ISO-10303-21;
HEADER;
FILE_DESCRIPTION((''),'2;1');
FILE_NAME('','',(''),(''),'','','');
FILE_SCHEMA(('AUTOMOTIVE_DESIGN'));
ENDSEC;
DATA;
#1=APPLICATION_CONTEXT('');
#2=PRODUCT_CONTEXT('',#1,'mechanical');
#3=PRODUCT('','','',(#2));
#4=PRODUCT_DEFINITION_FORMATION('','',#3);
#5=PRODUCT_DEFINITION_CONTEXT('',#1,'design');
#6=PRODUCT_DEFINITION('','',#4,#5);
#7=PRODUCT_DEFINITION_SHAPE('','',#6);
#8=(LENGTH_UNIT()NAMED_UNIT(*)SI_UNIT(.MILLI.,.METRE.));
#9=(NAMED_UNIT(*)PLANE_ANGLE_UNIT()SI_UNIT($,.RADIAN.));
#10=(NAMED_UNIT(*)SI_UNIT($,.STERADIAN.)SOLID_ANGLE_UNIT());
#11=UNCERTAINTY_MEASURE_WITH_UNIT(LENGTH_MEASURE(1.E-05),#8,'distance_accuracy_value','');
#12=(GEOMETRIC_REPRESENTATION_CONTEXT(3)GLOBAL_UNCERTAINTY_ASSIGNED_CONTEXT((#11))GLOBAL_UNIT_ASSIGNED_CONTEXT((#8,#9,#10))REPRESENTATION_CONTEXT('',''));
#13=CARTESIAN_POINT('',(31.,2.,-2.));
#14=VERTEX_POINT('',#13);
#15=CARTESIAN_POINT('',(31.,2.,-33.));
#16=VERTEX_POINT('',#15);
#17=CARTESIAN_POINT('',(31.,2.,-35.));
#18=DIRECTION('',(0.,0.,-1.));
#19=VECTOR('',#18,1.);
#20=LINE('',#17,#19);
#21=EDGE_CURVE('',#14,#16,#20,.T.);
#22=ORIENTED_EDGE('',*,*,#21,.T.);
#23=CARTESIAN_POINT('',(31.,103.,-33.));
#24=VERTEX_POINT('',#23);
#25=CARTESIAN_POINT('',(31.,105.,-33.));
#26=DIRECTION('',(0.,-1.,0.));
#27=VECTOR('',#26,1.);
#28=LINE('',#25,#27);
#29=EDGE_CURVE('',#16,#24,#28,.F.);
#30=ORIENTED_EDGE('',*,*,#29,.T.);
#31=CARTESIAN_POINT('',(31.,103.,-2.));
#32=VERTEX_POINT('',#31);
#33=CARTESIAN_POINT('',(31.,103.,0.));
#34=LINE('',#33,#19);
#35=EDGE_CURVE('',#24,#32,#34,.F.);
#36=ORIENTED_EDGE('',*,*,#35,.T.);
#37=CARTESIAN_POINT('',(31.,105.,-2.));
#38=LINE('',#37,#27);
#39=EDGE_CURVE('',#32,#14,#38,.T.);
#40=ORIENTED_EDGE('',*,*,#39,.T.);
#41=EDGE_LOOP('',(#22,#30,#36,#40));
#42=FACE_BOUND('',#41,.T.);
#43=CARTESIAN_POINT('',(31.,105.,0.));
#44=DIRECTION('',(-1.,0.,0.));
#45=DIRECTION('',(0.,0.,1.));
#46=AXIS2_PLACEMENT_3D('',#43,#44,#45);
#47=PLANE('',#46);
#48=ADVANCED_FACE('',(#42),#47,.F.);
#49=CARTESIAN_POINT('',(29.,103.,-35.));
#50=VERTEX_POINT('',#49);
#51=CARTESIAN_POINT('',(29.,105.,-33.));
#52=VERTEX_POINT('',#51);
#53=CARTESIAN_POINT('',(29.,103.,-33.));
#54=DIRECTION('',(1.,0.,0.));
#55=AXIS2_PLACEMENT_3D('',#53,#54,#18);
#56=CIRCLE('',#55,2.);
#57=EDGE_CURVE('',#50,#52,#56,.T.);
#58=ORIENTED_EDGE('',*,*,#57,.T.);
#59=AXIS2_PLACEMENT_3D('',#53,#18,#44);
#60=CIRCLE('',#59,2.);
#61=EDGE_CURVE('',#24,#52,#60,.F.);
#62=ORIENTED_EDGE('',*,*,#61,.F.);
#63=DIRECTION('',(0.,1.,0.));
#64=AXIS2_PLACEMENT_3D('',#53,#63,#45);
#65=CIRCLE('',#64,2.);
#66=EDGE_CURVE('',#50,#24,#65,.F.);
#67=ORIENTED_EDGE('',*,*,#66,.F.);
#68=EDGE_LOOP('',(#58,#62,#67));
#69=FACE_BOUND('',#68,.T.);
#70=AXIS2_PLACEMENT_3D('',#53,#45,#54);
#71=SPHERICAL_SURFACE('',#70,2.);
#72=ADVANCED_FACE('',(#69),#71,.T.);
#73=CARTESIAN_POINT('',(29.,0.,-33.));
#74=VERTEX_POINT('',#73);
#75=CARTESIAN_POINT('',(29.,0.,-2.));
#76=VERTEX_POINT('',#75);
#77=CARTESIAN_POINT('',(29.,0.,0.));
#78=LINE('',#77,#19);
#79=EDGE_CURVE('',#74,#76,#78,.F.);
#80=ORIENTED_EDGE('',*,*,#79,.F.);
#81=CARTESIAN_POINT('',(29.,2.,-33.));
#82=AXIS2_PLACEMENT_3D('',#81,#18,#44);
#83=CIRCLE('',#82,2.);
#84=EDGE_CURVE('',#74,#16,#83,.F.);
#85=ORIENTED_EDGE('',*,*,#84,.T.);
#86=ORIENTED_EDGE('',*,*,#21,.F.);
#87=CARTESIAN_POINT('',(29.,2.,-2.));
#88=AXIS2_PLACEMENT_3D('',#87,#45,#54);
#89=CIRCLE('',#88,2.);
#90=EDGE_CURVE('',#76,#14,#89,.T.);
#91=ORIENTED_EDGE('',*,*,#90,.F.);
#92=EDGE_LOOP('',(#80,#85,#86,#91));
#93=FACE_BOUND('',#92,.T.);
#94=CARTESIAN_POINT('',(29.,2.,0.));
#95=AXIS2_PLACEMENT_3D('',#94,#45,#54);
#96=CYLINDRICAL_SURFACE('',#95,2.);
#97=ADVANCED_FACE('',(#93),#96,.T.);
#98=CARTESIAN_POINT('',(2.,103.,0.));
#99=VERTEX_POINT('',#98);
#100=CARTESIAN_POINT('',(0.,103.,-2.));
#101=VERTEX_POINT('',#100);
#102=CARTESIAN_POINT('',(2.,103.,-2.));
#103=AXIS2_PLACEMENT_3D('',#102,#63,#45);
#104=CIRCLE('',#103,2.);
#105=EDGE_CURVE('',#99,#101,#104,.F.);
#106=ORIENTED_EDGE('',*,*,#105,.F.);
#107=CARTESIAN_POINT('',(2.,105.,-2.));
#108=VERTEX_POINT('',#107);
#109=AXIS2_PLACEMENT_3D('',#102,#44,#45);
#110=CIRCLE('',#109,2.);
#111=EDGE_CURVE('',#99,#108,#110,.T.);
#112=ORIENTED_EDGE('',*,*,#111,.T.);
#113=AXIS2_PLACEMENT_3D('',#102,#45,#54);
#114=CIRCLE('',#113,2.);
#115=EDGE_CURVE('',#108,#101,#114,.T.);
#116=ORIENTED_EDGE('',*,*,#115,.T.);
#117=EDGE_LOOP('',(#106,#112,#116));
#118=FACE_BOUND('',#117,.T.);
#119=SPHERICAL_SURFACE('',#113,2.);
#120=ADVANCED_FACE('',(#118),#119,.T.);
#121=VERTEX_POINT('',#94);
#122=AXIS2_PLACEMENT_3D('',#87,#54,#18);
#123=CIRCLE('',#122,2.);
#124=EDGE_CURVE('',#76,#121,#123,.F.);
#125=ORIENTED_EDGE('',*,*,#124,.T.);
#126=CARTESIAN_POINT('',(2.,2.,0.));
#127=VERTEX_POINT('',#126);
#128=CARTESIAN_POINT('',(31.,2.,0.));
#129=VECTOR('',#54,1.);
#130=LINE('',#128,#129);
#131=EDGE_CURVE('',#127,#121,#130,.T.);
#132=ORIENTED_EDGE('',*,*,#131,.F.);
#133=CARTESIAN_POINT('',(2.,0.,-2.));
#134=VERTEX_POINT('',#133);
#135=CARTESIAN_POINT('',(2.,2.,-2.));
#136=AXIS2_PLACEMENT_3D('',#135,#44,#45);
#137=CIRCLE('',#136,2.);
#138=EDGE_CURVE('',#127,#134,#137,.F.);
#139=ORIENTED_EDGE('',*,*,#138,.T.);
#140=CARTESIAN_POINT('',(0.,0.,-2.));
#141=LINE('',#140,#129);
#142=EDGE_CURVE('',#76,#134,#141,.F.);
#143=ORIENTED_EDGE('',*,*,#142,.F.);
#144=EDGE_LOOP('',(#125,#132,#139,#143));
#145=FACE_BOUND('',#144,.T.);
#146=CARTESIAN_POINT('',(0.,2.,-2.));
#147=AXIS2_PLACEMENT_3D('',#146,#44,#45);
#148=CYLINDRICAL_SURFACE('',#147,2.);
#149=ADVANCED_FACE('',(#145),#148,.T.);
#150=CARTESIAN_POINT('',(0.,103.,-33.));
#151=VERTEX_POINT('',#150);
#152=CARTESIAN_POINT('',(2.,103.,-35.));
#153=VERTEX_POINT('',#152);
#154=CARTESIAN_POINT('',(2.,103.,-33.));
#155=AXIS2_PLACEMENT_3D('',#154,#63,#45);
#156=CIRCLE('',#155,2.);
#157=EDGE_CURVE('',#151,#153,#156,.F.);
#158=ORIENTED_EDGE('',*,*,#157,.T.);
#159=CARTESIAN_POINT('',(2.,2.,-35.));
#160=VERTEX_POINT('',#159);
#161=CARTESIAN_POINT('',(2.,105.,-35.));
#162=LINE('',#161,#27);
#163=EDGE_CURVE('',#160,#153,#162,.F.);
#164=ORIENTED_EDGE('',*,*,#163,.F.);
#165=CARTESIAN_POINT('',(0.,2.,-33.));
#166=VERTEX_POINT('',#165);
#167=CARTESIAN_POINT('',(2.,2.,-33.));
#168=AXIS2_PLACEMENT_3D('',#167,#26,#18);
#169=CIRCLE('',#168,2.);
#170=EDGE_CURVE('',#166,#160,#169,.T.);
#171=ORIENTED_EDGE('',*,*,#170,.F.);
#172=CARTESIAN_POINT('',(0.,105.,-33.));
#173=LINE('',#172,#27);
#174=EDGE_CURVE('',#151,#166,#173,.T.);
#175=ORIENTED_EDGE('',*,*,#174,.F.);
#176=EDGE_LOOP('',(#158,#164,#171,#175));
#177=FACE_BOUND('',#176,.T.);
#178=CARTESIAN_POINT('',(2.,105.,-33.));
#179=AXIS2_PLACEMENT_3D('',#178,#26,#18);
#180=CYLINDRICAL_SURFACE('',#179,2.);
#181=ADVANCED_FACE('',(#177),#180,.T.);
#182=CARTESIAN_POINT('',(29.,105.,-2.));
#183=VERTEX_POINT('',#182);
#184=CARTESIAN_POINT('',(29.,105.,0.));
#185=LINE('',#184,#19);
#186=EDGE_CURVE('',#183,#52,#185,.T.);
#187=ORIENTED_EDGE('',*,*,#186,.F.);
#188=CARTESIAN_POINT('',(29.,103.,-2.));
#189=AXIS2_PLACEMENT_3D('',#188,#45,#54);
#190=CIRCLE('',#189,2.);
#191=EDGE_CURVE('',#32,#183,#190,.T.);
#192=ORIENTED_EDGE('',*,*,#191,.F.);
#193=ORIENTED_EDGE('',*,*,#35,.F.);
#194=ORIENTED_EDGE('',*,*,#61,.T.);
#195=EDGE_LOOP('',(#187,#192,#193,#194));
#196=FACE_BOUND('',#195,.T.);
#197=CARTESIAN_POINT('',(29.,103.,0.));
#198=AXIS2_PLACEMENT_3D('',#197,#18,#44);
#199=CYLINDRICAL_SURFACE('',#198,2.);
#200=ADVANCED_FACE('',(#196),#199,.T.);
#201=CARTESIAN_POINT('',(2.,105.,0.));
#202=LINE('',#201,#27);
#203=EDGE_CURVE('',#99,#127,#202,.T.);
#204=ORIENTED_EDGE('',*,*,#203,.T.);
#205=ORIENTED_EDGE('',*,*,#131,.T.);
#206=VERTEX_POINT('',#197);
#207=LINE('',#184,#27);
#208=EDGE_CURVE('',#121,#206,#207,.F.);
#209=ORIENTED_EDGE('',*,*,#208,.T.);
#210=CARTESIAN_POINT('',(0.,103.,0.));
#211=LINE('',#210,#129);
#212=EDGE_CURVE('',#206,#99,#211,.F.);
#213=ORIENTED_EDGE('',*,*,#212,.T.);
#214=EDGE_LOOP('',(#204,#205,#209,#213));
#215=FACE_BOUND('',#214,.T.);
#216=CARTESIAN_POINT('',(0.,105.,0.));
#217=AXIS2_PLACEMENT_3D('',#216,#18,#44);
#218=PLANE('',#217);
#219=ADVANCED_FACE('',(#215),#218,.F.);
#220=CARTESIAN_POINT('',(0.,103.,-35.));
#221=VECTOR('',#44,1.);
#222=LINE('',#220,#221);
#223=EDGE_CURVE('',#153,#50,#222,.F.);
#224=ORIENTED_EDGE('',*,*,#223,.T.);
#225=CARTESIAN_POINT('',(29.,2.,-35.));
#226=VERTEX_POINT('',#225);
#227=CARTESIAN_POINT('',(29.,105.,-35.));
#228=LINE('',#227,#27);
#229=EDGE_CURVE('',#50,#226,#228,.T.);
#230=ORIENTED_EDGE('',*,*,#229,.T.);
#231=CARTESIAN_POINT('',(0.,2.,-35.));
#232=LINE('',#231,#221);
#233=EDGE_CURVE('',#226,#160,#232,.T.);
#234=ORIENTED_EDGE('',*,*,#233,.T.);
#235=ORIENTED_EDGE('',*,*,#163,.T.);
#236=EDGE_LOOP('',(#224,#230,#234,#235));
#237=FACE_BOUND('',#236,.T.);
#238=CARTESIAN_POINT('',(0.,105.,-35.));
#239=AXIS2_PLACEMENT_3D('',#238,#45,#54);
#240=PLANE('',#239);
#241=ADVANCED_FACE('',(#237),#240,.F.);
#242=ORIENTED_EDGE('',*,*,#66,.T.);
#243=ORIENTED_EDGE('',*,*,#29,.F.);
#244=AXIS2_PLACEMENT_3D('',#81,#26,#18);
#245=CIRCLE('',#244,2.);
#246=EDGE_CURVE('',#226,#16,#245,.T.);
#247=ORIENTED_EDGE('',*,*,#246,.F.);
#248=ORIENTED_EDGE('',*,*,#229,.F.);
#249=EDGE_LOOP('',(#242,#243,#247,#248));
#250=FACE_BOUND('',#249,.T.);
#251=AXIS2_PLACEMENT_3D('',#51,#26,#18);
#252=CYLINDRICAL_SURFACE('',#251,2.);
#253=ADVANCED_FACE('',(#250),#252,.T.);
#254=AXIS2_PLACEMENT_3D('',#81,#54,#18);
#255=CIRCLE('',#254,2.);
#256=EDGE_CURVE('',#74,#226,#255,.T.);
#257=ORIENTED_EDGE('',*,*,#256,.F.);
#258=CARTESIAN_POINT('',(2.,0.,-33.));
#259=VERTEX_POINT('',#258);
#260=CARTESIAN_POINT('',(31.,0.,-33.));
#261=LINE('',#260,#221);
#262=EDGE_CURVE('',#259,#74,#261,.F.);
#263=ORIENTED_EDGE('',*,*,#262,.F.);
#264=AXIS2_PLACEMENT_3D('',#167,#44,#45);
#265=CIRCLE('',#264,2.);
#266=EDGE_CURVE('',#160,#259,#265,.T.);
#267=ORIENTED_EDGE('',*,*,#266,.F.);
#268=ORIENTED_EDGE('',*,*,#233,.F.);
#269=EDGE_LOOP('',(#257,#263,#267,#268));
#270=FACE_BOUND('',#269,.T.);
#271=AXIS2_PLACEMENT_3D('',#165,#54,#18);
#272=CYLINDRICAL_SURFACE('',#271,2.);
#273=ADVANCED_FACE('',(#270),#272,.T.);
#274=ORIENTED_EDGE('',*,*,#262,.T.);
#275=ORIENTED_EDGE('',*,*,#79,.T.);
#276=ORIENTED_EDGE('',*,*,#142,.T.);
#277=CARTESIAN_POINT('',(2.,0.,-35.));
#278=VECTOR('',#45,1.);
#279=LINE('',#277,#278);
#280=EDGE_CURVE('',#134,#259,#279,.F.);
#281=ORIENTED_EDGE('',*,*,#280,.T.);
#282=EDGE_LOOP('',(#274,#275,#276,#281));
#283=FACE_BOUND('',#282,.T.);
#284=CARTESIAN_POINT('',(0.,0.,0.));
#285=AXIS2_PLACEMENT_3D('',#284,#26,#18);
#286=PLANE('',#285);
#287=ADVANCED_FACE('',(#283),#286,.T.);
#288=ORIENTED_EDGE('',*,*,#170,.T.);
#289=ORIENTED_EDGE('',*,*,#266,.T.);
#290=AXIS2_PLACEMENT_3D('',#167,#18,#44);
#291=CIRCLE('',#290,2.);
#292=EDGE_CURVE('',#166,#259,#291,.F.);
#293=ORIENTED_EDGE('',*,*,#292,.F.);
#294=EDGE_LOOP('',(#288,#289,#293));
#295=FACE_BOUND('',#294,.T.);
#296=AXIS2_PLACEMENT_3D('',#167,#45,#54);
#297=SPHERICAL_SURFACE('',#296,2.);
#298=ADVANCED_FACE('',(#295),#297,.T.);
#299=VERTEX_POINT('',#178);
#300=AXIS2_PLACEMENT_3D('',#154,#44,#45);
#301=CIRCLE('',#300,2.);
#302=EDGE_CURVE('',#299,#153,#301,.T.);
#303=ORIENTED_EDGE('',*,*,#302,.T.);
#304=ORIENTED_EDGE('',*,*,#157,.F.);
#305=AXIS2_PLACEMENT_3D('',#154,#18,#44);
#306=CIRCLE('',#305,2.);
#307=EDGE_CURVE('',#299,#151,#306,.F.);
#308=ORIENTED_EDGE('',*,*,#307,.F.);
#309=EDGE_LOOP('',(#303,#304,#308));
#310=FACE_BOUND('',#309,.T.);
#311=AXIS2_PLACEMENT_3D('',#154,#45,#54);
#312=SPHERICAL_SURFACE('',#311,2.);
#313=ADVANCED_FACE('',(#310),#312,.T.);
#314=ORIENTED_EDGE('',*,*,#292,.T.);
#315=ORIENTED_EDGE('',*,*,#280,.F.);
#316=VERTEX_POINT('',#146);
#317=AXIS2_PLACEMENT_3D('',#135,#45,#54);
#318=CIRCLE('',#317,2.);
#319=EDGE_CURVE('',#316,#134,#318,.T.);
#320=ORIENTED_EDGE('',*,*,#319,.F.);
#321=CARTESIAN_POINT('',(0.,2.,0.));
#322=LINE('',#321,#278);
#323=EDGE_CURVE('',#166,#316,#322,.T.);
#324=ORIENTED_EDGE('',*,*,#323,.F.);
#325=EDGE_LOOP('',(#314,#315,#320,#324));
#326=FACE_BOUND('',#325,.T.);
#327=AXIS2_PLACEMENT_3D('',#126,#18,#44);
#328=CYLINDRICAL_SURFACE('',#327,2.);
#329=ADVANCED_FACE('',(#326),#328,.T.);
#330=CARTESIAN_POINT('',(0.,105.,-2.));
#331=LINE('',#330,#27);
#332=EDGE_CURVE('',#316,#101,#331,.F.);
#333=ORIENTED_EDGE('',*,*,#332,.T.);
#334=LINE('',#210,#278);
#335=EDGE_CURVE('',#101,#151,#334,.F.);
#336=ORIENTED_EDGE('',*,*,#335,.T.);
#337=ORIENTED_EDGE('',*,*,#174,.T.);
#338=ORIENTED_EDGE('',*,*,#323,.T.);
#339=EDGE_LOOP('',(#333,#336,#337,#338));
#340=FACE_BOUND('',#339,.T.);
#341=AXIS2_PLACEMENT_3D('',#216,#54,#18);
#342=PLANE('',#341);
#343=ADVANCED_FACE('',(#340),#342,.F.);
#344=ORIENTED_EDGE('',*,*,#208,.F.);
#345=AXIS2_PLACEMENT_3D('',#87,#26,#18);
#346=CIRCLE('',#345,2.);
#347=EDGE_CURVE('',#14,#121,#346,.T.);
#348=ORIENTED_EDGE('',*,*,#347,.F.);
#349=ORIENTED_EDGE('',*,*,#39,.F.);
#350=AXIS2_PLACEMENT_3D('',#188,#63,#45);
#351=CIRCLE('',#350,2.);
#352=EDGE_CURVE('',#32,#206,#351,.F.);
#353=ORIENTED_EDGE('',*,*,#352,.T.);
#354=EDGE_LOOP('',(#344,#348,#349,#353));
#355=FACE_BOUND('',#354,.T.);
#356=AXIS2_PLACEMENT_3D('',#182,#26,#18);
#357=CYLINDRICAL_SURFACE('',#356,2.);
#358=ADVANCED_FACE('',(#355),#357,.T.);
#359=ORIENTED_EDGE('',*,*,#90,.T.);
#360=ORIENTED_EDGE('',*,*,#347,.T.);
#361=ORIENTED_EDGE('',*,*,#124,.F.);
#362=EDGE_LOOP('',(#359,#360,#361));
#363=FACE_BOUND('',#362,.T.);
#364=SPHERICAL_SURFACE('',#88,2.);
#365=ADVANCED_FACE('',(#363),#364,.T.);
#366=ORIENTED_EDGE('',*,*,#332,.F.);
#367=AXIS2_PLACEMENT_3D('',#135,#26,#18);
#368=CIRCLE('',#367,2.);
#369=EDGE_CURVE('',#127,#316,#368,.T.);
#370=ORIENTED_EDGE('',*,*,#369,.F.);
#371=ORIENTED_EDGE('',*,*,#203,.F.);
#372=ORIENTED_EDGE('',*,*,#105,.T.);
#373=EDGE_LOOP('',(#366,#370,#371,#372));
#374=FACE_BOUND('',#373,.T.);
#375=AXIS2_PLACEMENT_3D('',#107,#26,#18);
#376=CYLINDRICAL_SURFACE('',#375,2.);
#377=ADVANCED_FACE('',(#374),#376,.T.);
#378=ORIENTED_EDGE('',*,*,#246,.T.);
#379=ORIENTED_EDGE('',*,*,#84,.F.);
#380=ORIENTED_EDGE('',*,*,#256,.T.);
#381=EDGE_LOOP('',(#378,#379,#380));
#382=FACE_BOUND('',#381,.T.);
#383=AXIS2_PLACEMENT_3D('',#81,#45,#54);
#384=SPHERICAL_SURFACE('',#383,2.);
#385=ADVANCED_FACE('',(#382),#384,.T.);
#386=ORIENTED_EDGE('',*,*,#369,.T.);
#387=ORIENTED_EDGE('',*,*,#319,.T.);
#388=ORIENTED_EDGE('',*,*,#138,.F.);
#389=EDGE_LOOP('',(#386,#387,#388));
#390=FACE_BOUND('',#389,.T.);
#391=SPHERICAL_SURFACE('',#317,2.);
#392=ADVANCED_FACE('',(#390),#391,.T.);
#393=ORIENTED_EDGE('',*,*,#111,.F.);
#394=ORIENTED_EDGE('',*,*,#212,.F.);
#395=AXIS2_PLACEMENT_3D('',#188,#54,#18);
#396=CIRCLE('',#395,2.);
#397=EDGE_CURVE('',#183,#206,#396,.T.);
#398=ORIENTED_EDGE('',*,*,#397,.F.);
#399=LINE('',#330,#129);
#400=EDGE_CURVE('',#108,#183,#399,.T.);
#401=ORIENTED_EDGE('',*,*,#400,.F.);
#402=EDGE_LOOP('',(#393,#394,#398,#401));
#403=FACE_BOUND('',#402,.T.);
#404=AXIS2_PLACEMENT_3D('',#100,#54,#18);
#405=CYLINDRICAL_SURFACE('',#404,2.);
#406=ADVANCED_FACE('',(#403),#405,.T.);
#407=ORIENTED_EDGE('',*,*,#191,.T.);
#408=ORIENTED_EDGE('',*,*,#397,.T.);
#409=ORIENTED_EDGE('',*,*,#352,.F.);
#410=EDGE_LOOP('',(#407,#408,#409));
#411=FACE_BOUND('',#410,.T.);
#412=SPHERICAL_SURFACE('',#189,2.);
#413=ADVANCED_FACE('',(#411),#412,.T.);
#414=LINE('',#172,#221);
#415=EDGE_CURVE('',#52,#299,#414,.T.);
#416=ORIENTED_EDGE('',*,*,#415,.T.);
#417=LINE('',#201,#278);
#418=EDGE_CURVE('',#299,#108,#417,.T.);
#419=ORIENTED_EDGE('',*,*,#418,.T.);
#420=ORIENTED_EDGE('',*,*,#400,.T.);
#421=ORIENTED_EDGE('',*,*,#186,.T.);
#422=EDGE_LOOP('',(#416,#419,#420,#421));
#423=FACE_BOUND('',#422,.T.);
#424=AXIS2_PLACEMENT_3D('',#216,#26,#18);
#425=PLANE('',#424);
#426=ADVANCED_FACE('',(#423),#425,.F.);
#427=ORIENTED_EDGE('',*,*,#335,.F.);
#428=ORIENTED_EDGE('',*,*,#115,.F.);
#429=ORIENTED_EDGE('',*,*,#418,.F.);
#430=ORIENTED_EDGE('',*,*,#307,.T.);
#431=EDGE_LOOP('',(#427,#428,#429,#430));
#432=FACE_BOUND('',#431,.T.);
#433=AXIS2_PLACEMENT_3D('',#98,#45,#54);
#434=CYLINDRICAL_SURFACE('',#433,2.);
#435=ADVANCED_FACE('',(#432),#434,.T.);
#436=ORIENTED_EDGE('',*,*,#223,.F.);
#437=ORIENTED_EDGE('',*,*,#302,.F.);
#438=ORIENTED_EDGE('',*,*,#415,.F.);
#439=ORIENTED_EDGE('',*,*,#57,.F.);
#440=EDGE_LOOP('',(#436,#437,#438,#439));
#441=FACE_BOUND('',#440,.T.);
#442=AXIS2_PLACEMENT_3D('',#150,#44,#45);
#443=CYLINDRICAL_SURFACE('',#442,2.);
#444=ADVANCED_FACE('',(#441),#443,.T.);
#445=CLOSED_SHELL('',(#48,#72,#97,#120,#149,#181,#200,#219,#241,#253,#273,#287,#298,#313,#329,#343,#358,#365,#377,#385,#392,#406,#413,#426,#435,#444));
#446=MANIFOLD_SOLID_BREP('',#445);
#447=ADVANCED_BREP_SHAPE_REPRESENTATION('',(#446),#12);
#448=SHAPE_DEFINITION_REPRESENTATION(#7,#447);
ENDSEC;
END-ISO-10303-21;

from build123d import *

# Parameters (mm, degrees)
SKETCH1_W           = 31
SKETCH1_H           = 35
BOSS_EXTRUDE1_DEPTH = 105
FILLET1_R           = 2


with BuildPart() as part:
    # Sketch1 → Boss-Extrude1 (new body)
    with BuildSketch(Plane(origin=(0, 0, 0), x_dir=(1, 0, 0), z_dir=(0, 1, 0))):
        with Locations((15.5, 17.5)):
            Rectangle(SKETCH1_W, SKETCH1_H)
    extrude(amount=BOSS_EXTRUDE1_DEPTH)

    # Fillet1
    fillet1_edges = [part.edges().sort_by_distance(p)[0] for p in [
        (31, 105, -17.5),
        (15.5, 105, -35),
        (0, 105, -17.5),
        (15.5, 0, -35),
        (31, 0, -17.5),
        (15.5, 0, 0),
        (0, 0, -17.5),
        (15.5, 105, 0),
        (0, 52.5, -35),
        (31, 52.5, -35),
        (31, 52.5, 0),
        (0, 52.5, 0),
    ]]
    fillet(fillet1_edges, radius=FILLET1_R)


solid = part.part
